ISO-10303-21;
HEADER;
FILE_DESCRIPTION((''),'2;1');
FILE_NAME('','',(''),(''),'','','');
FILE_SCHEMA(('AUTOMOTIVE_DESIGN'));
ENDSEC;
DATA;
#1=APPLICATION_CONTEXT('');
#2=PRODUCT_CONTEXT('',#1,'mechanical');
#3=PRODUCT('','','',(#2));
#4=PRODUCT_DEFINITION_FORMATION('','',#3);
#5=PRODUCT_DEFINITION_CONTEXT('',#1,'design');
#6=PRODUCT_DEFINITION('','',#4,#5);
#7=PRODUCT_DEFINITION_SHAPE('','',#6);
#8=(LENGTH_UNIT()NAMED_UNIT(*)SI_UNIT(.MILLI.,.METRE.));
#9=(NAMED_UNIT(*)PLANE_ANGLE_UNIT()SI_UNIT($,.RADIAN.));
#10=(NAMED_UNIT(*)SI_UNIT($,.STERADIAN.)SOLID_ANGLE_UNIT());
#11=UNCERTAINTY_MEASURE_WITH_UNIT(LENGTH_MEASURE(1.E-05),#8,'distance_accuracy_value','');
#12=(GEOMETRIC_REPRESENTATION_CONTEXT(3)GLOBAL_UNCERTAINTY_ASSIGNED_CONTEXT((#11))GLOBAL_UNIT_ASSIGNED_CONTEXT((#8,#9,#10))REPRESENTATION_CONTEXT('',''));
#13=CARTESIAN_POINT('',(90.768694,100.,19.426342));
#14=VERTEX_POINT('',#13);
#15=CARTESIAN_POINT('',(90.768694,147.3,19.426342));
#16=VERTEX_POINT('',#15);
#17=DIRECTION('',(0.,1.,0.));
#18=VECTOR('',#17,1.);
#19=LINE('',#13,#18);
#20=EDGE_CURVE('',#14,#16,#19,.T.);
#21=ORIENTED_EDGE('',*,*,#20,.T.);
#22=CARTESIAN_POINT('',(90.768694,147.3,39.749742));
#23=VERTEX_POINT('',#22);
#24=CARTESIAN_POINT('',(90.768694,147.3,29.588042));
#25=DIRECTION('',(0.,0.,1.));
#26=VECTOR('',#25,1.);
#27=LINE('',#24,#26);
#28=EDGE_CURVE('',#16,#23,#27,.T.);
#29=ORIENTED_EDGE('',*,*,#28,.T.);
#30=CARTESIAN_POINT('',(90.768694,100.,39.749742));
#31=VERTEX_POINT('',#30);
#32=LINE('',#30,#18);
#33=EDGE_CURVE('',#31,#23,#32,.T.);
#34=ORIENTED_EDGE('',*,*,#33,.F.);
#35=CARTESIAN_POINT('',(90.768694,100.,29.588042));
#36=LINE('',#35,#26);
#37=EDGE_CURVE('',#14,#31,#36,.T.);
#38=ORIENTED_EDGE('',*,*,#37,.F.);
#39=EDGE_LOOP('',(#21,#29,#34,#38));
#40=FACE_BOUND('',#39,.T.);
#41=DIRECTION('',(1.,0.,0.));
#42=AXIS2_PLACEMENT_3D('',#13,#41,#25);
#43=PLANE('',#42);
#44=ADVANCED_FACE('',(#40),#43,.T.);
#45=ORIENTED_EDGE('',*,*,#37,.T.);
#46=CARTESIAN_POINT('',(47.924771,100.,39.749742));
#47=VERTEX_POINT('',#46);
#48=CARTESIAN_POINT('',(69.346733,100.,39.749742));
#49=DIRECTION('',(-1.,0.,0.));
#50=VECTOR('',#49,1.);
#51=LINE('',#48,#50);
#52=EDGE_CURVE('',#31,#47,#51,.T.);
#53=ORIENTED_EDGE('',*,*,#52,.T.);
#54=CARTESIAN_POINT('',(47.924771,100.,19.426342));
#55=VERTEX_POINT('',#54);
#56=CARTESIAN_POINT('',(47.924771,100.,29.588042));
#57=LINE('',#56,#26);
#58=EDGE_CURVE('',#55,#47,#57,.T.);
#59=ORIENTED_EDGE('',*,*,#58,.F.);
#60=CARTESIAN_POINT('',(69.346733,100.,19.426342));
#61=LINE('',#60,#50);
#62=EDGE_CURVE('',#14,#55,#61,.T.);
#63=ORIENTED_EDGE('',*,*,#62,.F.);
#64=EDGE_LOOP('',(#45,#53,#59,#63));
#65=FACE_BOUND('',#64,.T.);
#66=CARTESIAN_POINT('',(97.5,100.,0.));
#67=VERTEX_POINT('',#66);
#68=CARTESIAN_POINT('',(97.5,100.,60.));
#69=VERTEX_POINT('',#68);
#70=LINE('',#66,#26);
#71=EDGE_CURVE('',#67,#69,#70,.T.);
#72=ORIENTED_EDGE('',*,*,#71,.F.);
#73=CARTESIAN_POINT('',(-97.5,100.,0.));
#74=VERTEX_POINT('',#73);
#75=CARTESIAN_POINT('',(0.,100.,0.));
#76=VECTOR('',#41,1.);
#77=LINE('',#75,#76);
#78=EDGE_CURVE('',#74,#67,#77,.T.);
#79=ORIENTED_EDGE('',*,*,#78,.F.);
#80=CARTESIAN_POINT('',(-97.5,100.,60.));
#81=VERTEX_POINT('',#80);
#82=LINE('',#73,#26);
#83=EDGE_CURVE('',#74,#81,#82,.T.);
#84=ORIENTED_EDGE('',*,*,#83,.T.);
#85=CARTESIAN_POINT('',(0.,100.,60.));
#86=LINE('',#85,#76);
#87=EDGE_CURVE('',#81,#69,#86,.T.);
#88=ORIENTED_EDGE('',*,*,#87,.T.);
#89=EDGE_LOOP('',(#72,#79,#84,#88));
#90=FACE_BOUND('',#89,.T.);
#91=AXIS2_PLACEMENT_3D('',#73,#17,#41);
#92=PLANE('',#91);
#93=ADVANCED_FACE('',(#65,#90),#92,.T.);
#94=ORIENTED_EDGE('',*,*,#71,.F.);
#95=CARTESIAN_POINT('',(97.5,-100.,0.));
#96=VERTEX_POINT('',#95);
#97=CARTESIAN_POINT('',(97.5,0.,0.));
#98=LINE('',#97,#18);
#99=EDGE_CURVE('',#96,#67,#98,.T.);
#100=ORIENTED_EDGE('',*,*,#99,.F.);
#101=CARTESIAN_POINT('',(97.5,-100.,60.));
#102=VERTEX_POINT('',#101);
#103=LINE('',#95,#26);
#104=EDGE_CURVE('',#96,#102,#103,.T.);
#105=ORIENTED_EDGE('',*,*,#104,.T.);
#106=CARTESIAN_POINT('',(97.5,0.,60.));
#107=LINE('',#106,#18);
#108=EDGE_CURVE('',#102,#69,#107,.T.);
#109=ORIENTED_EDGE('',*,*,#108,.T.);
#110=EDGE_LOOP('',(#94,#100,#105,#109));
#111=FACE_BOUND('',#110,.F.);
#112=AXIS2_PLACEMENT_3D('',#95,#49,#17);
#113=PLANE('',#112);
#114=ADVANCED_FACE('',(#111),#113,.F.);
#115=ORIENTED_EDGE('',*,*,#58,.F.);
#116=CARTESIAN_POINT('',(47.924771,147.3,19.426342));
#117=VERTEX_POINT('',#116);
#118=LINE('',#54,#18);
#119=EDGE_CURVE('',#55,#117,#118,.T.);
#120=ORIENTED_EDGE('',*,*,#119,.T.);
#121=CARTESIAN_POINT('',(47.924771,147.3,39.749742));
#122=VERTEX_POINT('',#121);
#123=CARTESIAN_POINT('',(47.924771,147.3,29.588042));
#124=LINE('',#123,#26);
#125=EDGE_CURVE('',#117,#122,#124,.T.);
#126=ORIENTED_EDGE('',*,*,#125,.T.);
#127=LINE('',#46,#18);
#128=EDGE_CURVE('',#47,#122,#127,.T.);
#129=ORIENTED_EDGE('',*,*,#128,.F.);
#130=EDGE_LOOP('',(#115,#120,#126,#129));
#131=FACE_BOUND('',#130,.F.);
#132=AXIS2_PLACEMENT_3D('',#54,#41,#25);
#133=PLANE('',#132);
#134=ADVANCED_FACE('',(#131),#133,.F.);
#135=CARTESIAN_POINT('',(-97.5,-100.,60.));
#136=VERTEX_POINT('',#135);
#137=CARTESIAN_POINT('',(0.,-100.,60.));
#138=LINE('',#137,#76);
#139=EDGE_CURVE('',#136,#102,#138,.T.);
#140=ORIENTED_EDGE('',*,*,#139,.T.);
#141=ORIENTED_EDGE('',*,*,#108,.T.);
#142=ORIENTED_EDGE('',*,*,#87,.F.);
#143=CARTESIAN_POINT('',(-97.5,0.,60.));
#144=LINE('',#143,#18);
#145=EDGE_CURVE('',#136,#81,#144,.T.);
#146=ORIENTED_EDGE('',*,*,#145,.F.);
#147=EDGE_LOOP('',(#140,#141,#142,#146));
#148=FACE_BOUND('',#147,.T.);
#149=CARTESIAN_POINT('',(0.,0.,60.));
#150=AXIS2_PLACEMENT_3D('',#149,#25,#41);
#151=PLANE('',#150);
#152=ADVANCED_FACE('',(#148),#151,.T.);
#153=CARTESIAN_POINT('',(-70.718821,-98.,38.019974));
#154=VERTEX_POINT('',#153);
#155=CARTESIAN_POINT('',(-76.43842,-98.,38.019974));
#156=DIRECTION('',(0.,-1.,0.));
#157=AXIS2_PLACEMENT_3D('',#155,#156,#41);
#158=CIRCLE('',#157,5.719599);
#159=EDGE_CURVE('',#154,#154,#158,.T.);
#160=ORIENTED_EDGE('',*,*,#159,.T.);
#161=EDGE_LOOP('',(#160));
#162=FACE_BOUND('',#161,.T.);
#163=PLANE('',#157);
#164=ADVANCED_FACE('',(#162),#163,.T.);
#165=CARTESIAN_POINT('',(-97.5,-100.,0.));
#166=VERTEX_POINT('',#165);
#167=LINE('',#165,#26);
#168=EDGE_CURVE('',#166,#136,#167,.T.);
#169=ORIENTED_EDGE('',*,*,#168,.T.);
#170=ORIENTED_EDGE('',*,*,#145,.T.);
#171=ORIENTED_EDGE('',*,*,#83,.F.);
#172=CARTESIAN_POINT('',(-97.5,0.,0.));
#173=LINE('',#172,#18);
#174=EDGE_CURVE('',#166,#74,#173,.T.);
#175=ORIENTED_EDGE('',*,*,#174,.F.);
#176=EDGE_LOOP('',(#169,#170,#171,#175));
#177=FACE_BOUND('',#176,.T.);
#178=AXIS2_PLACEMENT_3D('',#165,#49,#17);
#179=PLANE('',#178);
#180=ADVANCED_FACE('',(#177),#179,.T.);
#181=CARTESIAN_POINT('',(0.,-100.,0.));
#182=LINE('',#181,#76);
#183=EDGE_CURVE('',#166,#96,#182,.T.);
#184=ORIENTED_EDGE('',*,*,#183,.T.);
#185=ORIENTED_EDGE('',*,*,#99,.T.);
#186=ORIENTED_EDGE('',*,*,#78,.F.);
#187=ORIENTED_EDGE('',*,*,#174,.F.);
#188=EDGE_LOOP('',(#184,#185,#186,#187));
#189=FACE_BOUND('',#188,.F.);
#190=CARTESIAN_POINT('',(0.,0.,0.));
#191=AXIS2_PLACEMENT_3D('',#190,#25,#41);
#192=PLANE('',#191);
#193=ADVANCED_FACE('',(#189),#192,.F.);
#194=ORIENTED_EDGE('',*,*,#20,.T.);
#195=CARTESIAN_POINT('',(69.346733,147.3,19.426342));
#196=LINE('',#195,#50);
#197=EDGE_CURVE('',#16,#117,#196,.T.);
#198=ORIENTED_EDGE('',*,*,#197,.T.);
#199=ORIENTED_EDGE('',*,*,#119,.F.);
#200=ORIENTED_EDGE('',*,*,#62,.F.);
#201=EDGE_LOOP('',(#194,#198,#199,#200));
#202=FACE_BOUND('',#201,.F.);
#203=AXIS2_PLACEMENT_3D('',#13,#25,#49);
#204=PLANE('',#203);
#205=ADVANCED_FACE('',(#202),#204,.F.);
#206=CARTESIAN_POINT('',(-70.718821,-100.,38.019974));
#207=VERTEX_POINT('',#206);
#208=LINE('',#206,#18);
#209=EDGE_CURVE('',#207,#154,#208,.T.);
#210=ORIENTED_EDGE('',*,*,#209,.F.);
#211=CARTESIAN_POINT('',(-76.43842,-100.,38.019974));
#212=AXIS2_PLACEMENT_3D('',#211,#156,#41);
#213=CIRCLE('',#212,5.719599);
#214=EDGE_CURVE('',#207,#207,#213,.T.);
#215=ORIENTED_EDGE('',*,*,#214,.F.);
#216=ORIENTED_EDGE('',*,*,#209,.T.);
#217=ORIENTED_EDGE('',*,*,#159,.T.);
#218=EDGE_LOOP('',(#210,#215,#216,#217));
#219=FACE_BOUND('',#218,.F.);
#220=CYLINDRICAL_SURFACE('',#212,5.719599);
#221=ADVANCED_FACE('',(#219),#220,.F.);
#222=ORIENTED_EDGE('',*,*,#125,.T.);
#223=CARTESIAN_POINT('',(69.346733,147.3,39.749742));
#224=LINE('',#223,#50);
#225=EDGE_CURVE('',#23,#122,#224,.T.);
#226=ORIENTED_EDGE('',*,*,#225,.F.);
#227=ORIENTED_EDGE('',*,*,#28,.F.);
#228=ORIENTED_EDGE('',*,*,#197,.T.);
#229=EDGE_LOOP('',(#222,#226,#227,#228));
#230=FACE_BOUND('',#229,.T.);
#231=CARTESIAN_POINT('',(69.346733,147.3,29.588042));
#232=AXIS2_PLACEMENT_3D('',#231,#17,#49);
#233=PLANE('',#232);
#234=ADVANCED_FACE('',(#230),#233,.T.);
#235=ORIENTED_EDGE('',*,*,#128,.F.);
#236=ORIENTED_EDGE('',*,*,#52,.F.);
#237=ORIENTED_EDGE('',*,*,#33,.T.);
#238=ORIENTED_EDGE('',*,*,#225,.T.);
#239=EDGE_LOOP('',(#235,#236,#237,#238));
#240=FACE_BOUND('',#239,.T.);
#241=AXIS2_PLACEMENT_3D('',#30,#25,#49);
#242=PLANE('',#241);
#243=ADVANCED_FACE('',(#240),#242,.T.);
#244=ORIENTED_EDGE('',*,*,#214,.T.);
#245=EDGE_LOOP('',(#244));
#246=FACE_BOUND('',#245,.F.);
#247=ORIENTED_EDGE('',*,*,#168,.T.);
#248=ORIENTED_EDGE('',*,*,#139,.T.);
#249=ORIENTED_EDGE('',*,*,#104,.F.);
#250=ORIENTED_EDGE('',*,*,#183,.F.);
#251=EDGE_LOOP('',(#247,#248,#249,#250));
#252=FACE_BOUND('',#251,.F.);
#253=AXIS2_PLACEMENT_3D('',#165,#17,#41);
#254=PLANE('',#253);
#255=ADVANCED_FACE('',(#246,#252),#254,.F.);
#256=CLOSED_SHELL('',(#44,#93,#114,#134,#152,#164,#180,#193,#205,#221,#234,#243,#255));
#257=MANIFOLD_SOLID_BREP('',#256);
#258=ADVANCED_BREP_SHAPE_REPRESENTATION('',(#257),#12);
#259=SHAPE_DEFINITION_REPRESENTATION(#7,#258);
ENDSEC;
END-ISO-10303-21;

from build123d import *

# Parameters (mm, degrees)
F0_W     = 195
F0_H     = 200
F1_DEPTH = 60
F2_W     = 42.843923
F2_H     = 20.3234
F3_DEPTH = 47.3
F4_R     = 5.719599
F5_DEPTH = 2


with BuildPart() as f1:
    # F0 (on Top) → F1 (new body)
    with BuildSketch(Plane.XY):
        Rectangle(F0_W, F0_H)
    extrude(amount=F1_DEPTH)

    # F2 (on face) → F3 (join)
    with BuildSketch(Plane(origin=(0, 100, 0), x_dir=(-1, 0, 0), z_dir=(0, 1, 0))):
        with Locations((-69.346733, 29.588042)):
            Rectangle(F2_W, F2_H)
    extrude(amount=F3_DEPTH)

    # F4 (on face) → F5 (cut)
    with BuildSketch(Plane.XZ.offset(100)):
        with Locations((-76.43842, 38.019974)):
            Circle(F4_R)
    extrude(amount=-F5_DEPTH, mode=Mode.SUBTRACT)


solid = f1.part
